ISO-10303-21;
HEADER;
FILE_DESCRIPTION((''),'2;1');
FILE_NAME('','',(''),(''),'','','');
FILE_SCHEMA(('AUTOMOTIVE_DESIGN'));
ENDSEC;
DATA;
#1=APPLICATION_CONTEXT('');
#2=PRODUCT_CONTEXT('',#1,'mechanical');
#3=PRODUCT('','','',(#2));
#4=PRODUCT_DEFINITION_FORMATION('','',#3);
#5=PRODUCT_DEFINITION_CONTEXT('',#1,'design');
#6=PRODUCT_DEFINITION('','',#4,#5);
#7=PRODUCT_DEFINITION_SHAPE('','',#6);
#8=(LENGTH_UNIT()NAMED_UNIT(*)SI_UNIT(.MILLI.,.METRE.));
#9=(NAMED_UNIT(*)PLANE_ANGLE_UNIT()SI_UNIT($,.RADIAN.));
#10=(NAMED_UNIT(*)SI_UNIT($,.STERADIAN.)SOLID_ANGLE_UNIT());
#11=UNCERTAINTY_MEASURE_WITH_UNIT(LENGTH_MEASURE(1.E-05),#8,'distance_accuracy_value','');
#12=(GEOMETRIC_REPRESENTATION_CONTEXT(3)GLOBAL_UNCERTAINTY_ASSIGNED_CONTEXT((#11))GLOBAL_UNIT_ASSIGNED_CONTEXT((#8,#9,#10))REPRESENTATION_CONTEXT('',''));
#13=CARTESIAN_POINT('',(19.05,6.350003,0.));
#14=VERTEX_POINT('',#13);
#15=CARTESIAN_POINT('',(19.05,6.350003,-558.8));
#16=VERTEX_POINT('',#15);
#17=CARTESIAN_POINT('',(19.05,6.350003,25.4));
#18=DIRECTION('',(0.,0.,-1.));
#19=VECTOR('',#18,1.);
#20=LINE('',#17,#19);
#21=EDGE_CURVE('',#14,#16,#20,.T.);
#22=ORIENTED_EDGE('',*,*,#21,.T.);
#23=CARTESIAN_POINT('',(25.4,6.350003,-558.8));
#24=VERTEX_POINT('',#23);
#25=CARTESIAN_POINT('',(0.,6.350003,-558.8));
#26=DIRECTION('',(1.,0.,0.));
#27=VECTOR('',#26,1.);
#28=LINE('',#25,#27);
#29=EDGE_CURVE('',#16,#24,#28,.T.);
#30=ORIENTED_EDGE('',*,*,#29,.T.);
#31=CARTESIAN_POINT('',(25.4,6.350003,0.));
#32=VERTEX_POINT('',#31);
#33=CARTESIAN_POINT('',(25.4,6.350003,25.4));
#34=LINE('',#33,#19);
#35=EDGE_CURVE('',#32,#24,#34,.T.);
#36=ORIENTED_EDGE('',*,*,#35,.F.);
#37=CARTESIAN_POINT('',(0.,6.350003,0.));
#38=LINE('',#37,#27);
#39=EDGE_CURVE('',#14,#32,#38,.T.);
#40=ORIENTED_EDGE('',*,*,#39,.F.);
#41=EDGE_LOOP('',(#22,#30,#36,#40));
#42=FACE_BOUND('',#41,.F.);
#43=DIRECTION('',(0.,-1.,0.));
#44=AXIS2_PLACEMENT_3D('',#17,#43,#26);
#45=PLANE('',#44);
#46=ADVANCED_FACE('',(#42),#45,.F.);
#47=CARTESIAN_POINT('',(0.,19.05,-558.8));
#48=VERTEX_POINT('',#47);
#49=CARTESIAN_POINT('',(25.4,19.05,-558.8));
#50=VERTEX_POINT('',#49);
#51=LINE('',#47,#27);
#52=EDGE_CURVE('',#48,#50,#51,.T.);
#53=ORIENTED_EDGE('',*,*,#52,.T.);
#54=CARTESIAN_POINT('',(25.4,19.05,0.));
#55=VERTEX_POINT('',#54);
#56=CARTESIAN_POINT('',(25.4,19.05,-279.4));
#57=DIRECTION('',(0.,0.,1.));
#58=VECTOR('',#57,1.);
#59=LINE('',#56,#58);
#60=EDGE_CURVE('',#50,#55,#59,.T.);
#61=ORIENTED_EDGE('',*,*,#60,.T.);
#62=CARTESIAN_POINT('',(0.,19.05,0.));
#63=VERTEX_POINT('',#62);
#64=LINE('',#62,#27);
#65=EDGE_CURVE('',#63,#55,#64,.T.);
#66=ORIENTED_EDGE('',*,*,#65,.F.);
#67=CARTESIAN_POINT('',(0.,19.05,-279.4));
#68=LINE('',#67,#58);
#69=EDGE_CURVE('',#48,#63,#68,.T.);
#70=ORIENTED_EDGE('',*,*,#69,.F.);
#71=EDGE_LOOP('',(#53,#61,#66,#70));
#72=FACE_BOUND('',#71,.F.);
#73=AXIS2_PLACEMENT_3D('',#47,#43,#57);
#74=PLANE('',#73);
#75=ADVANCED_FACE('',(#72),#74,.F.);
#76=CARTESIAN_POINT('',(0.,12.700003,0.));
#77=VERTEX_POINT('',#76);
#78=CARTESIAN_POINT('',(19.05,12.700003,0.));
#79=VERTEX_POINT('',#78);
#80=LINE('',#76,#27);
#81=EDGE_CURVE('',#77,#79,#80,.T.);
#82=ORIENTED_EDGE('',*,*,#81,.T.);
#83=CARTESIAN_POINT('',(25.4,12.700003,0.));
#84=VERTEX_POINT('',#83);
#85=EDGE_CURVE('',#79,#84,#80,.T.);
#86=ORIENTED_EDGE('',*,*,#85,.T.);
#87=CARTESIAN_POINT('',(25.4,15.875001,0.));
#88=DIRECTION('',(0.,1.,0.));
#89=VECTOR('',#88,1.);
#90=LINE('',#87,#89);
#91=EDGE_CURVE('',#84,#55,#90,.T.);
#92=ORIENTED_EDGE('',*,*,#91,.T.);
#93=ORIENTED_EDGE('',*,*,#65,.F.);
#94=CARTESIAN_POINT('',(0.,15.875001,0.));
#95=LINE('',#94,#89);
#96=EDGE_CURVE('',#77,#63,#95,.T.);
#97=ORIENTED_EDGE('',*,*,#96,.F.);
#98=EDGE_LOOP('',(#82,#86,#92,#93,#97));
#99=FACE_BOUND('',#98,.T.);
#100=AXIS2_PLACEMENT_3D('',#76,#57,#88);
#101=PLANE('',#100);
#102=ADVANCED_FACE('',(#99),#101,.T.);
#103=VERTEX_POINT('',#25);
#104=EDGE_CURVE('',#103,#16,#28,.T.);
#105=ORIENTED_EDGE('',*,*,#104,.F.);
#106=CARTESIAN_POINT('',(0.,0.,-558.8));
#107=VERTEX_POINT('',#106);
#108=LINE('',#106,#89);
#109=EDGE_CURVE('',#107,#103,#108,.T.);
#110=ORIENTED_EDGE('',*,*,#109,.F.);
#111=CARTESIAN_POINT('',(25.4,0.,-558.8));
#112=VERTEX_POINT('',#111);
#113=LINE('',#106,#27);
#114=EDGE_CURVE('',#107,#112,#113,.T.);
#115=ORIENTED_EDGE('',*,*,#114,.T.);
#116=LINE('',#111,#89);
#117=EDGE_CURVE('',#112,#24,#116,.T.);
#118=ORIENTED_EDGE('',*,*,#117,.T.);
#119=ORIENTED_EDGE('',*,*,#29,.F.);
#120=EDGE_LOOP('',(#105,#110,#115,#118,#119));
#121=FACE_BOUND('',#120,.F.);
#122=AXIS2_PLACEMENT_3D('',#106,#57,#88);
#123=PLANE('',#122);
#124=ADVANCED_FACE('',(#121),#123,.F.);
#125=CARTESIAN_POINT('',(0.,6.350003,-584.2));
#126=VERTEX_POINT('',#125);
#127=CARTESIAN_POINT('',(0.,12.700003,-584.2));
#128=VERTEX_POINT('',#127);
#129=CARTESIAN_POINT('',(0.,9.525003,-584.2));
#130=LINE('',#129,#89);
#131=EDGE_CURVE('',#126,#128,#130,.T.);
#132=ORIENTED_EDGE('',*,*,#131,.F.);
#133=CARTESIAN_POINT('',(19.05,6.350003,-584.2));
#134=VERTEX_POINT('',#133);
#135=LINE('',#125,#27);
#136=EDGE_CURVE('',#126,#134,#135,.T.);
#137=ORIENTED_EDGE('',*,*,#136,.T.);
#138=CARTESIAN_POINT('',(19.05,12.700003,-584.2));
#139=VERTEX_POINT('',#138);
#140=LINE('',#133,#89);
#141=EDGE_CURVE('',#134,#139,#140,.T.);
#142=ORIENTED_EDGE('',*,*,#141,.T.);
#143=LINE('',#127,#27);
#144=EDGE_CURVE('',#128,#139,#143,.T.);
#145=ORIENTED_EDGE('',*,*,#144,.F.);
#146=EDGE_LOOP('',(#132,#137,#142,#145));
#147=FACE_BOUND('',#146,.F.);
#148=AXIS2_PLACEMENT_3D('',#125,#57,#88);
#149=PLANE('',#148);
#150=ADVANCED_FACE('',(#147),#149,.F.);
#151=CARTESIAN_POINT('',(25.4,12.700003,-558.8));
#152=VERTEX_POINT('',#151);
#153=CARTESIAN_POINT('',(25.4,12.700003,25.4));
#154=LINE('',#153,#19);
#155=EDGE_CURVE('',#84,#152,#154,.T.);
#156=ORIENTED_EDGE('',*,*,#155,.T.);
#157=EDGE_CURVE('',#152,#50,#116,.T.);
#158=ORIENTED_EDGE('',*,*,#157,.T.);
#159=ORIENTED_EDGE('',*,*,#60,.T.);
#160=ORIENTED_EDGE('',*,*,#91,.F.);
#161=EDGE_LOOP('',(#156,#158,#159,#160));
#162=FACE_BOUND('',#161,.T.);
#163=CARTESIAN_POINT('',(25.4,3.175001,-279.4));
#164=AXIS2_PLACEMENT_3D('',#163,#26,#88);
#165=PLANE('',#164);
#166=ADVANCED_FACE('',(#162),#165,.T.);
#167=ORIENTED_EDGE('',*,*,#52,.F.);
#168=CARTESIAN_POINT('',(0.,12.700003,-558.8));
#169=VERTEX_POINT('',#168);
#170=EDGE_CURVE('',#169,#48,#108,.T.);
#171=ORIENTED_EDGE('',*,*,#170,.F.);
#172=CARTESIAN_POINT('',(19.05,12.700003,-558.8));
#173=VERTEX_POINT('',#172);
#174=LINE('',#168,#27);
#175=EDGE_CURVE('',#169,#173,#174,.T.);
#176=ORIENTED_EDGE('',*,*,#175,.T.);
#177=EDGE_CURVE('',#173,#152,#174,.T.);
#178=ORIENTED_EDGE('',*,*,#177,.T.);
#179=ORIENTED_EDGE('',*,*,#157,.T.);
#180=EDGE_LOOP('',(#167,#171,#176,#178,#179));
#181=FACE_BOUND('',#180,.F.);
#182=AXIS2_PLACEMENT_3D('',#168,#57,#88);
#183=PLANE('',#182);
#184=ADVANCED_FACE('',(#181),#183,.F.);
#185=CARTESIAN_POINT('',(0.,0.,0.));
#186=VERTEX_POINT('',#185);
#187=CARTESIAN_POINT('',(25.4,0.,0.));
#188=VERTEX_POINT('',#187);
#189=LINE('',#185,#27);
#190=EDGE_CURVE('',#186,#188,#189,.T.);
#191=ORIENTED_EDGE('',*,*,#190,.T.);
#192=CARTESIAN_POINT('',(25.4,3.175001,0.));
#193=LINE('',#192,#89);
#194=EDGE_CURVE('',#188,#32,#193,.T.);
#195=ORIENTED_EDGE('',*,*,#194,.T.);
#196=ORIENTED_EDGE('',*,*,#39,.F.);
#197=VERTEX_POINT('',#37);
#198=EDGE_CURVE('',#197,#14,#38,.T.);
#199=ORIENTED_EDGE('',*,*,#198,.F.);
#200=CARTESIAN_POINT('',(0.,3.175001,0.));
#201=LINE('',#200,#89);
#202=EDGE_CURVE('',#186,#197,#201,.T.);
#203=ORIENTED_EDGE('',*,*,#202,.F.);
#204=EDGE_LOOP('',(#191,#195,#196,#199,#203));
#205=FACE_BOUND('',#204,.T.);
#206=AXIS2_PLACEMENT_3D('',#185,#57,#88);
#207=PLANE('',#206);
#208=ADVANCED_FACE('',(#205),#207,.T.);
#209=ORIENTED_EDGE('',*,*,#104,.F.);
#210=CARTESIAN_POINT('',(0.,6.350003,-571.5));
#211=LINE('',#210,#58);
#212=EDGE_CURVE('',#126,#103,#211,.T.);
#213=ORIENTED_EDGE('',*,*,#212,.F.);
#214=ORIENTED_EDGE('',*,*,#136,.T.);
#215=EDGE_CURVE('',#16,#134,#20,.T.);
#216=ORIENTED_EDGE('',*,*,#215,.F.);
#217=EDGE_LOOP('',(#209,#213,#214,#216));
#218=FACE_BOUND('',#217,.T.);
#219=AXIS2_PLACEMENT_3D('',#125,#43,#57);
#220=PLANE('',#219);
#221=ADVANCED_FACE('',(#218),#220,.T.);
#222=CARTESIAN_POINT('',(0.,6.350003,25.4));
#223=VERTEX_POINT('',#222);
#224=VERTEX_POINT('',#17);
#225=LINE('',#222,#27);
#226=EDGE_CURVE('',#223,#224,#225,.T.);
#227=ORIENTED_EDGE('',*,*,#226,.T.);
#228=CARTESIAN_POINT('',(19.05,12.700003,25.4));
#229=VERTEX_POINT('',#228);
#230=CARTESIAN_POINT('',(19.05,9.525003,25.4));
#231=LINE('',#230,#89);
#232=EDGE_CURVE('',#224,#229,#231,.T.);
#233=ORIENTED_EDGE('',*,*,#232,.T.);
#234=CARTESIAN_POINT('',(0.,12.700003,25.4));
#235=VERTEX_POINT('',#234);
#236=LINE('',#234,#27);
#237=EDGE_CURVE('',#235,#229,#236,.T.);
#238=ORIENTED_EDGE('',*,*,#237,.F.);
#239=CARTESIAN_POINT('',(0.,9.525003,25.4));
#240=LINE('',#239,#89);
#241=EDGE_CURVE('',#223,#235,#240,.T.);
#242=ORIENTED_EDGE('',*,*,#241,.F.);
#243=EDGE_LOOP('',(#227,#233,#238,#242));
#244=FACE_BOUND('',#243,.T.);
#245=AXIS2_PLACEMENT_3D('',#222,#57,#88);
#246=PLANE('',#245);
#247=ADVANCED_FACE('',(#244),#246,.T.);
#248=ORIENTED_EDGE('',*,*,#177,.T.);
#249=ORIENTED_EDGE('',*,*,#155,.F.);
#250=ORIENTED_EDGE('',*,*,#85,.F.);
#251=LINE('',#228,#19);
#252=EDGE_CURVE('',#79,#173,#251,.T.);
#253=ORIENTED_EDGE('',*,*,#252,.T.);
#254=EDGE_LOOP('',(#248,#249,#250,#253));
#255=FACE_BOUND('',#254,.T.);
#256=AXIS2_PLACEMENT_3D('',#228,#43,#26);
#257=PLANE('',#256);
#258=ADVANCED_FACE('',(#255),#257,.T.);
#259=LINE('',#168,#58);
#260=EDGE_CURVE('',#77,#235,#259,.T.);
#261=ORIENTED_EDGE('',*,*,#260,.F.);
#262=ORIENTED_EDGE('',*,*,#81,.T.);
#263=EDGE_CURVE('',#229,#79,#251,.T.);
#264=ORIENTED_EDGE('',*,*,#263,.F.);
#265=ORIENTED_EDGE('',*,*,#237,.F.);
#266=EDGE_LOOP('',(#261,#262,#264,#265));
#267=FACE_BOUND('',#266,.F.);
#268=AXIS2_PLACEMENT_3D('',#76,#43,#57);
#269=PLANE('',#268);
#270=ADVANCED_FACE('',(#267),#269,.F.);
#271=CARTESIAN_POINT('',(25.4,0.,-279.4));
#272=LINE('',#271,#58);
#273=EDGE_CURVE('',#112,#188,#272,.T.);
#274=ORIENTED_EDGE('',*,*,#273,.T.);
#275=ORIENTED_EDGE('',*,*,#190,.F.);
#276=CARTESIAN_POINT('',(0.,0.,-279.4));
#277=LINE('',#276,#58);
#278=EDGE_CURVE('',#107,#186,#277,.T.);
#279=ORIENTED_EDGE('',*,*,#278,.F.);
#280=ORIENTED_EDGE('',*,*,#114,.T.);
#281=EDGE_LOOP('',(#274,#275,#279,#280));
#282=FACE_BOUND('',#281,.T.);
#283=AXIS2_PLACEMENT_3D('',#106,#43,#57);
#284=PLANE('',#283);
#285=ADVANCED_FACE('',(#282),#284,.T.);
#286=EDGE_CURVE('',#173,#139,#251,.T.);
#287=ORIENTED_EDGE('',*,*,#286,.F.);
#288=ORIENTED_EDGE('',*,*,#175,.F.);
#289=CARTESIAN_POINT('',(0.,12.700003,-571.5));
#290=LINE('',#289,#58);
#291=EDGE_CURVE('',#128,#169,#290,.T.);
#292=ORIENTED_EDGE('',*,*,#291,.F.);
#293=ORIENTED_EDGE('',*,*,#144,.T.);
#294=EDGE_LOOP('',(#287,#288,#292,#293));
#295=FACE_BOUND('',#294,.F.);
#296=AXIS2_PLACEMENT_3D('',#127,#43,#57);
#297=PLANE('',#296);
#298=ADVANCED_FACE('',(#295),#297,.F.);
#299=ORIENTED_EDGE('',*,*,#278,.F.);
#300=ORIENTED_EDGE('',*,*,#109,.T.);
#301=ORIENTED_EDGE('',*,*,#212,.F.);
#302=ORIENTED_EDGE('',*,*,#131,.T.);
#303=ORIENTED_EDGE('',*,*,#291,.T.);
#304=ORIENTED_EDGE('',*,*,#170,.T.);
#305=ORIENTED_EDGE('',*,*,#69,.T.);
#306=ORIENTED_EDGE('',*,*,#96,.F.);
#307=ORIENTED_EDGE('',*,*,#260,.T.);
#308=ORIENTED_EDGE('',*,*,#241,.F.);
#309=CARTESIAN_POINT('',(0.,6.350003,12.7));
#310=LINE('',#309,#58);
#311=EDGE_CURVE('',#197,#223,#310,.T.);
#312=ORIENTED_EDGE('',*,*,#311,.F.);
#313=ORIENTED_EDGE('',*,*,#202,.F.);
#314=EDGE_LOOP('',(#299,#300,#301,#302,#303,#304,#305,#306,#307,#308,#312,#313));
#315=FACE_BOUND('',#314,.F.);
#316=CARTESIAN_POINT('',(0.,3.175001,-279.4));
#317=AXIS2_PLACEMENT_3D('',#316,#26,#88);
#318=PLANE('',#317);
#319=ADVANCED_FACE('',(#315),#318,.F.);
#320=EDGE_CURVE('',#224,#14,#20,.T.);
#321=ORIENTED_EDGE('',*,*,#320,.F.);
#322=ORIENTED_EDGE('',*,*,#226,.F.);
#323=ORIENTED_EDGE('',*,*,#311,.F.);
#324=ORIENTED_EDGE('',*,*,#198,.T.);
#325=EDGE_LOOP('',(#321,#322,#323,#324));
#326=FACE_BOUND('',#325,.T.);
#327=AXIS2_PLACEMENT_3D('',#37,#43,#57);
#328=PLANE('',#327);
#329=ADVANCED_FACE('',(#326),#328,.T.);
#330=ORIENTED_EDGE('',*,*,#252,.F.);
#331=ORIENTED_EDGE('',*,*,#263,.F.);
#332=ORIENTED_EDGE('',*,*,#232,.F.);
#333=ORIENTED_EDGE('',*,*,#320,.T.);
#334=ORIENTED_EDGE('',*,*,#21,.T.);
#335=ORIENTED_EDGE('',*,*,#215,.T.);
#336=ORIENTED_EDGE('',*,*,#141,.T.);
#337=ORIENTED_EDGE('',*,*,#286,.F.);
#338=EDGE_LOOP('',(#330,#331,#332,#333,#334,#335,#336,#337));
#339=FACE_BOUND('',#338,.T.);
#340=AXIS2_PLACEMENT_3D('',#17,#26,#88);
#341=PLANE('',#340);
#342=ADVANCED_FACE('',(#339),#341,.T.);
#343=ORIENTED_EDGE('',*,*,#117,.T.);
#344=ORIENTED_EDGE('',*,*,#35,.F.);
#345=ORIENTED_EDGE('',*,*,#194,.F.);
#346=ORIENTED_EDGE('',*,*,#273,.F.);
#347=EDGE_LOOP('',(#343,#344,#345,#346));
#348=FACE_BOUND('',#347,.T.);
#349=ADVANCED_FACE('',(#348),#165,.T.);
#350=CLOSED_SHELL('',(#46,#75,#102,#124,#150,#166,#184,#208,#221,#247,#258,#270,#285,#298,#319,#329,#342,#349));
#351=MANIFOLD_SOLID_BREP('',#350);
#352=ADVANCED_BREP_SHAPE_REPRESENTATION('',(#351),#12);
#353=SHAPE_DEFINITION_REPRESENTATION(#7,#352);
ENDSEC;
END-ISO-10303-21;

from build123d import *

# Parameters (mm, degrees)
F0_W     = 6.3500026588
F0_H     = 558.8
F0_W_2   = 6.35
F0_H_2   = 25.4
F0_W_3   = 6.3499973412
F1_DEPTH = 25.4
F2_W     = 6.35
F2_H     = 6.35
F3_DEPTH = 609.601


with BuildPart() as f1:
    # F0 (on Right) → F1 (new body)
    with BuildSketch(Plane.YZ):
        with Locations((3.1750013294, -279.4)):
            Rectangle(F0_W, F0_H)
        with Locations((9.5250026588, 12.7)):
            Rectangle(F0_W_2, F0_H_2)
        with Locations((9.5250026588, -279.4)):
            Rectangle(F0_W_2, F0_H)
        with Locations((15.8750013294, -279.4)):
            Rectangle(F0_W_3, F0_H)
        with Locations((9.5250026588, -571.5)):
            Rectangle(F0_W_2, F0_H_2)
    extrude(amount=F1_DEPTH)

    # F2 (on face) → F3 (cut, through all)
    with BuildSketch(Plane.XY.offset(25.4)):
        with Locations((22.225, 9.5250026588)):
            Rectangle(F2_W, F2_H)
    extrude(amount=-F3_DEPTH, mode=Mode.SUBTRACT)


solid = f1.part
